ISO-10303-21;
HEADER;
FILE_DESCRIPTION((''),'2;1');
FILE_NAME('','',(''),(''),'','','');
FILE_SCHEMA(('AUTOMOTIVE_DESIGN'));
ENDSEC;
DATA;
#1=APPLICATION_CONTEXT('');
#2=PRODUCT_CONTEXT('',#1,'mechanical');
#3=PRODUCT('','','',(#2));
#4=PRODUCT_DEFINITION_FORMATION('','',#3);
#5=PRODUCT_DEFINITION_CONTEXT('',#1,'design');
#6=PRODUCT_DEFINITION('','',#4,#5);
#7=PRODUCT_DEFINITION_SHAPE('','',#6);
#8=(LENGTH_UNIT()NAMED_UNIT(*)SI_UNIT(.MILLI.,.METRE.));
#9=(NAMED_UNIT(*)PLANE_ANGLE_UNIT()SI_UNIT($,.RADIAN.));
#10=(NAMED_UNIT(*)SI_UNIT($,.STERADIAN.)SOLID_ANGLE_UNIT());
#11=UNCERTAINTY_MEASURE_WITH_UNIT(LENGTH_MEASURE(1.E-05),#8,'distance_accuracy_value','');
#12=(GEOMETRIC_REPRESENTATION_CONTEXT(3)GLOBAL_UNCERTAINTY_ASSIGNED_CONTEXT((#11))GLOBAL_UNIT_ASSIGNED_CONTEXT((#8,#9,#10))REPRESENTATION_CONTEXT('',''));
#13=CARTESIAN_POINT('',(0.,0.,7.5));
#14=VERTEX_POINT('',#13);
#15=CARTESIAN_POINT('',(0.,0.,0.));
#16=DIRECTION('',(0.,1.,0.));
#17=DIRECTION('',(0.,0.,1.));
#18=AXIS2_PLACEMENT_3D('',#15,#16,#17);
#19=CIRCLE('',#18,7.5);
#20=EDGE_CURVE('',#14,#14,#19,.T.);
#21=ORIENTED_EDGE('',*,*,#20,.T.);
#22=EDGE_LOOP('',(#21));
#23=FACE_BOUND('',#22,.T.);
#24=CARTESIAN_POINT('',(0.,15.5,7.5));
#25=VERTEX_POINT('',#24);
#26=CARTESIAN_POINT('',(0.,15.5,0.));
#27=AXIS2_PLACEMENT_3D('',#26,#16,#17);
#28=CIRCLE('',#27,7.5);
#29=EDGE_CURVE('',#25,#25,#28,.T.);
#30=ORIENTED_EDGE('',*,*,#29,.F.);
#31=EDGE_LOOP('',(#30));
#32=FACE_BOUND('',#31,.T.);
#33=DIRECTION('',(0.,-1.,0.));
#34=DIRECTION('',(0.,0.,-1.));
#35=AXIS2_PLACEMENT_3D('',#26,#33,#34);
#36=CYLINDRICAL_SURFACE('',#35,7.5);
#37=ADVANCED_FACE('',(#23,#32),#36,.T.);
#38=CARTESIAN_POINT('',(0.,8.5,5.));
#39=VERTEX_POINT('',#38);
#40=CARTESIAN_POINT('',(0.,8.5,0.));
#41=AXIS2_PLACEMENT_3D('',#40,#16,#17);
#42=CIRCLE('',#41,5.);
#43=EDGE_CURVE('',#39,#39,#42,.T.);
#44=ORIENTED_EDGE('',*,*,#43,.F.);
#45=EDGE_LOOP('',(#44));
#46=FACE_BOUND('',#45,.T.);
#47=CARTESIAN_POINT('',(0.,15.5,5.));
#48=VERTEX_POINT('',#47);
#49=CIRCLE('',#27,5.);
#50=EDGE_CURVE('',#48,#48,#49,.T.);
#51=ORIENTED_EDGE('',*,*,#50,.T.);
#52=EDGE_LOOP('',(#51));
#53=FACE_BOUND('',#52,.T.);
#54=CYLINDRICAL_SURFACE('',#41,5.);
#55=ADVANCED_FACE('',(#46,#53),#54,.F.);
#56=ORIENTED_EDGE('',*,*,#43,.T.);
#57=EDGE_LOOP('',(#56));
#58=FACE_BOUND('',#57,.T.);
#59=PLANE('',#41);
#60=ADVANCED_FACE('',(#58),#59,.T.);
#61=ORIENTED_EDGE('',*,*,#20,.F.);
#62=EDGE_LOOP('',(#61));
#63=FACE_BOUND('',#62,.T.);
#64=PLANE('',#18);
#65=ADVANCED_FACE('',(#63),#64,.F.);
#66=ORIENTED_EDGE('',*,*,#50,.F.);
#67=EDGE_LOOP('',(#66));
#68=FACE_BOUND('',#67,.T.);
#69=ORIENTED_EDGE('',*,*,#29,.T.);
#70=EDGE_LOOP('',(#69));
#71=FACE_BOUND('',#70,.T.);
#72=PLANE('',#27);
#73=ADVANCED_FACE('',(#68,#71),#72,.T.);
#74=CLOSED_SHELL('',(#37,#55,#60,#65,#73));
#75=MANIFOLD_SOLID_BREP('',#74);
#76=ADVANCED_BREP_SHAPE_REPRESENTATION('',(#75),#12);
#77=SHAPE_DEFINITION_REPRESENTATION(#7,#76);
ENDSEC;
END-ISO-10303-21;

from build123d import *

# Parameters (mm, degrees)
SKETCH1_R           = 7.5
BOSS_EXTRUDE1_DEPTH = 15.5
SKETCH2_R           = 5
CUT_EXTRUDE1_DEPTH  = 7


with BuildPart() as part:
    # Sketch1 → Boss-Extrude1 (new body)
    with BuildSketch(Plane(origin=(0, 0, 0), x_dir=(1, 0, 0), z_dir=(0, 1, 0))):
        Circle(SKETCH1_R)
    extrude(amount=BOSS_EXTRUDE1_DEPTH)

    # Sketch2 → Cut-Extrude1 (cut)
    with BuildSketch(Plane(origin=(0, 15.5, 0), x_dir=(1, 0, 0), z_dir=(0, 1, 0))):
        Circle(SKETCH2_R)
    extrude(amount=-CUT_EXTRUDE1_DEPTH, mode=Mode.SUBTRACT)


solid = part.part
